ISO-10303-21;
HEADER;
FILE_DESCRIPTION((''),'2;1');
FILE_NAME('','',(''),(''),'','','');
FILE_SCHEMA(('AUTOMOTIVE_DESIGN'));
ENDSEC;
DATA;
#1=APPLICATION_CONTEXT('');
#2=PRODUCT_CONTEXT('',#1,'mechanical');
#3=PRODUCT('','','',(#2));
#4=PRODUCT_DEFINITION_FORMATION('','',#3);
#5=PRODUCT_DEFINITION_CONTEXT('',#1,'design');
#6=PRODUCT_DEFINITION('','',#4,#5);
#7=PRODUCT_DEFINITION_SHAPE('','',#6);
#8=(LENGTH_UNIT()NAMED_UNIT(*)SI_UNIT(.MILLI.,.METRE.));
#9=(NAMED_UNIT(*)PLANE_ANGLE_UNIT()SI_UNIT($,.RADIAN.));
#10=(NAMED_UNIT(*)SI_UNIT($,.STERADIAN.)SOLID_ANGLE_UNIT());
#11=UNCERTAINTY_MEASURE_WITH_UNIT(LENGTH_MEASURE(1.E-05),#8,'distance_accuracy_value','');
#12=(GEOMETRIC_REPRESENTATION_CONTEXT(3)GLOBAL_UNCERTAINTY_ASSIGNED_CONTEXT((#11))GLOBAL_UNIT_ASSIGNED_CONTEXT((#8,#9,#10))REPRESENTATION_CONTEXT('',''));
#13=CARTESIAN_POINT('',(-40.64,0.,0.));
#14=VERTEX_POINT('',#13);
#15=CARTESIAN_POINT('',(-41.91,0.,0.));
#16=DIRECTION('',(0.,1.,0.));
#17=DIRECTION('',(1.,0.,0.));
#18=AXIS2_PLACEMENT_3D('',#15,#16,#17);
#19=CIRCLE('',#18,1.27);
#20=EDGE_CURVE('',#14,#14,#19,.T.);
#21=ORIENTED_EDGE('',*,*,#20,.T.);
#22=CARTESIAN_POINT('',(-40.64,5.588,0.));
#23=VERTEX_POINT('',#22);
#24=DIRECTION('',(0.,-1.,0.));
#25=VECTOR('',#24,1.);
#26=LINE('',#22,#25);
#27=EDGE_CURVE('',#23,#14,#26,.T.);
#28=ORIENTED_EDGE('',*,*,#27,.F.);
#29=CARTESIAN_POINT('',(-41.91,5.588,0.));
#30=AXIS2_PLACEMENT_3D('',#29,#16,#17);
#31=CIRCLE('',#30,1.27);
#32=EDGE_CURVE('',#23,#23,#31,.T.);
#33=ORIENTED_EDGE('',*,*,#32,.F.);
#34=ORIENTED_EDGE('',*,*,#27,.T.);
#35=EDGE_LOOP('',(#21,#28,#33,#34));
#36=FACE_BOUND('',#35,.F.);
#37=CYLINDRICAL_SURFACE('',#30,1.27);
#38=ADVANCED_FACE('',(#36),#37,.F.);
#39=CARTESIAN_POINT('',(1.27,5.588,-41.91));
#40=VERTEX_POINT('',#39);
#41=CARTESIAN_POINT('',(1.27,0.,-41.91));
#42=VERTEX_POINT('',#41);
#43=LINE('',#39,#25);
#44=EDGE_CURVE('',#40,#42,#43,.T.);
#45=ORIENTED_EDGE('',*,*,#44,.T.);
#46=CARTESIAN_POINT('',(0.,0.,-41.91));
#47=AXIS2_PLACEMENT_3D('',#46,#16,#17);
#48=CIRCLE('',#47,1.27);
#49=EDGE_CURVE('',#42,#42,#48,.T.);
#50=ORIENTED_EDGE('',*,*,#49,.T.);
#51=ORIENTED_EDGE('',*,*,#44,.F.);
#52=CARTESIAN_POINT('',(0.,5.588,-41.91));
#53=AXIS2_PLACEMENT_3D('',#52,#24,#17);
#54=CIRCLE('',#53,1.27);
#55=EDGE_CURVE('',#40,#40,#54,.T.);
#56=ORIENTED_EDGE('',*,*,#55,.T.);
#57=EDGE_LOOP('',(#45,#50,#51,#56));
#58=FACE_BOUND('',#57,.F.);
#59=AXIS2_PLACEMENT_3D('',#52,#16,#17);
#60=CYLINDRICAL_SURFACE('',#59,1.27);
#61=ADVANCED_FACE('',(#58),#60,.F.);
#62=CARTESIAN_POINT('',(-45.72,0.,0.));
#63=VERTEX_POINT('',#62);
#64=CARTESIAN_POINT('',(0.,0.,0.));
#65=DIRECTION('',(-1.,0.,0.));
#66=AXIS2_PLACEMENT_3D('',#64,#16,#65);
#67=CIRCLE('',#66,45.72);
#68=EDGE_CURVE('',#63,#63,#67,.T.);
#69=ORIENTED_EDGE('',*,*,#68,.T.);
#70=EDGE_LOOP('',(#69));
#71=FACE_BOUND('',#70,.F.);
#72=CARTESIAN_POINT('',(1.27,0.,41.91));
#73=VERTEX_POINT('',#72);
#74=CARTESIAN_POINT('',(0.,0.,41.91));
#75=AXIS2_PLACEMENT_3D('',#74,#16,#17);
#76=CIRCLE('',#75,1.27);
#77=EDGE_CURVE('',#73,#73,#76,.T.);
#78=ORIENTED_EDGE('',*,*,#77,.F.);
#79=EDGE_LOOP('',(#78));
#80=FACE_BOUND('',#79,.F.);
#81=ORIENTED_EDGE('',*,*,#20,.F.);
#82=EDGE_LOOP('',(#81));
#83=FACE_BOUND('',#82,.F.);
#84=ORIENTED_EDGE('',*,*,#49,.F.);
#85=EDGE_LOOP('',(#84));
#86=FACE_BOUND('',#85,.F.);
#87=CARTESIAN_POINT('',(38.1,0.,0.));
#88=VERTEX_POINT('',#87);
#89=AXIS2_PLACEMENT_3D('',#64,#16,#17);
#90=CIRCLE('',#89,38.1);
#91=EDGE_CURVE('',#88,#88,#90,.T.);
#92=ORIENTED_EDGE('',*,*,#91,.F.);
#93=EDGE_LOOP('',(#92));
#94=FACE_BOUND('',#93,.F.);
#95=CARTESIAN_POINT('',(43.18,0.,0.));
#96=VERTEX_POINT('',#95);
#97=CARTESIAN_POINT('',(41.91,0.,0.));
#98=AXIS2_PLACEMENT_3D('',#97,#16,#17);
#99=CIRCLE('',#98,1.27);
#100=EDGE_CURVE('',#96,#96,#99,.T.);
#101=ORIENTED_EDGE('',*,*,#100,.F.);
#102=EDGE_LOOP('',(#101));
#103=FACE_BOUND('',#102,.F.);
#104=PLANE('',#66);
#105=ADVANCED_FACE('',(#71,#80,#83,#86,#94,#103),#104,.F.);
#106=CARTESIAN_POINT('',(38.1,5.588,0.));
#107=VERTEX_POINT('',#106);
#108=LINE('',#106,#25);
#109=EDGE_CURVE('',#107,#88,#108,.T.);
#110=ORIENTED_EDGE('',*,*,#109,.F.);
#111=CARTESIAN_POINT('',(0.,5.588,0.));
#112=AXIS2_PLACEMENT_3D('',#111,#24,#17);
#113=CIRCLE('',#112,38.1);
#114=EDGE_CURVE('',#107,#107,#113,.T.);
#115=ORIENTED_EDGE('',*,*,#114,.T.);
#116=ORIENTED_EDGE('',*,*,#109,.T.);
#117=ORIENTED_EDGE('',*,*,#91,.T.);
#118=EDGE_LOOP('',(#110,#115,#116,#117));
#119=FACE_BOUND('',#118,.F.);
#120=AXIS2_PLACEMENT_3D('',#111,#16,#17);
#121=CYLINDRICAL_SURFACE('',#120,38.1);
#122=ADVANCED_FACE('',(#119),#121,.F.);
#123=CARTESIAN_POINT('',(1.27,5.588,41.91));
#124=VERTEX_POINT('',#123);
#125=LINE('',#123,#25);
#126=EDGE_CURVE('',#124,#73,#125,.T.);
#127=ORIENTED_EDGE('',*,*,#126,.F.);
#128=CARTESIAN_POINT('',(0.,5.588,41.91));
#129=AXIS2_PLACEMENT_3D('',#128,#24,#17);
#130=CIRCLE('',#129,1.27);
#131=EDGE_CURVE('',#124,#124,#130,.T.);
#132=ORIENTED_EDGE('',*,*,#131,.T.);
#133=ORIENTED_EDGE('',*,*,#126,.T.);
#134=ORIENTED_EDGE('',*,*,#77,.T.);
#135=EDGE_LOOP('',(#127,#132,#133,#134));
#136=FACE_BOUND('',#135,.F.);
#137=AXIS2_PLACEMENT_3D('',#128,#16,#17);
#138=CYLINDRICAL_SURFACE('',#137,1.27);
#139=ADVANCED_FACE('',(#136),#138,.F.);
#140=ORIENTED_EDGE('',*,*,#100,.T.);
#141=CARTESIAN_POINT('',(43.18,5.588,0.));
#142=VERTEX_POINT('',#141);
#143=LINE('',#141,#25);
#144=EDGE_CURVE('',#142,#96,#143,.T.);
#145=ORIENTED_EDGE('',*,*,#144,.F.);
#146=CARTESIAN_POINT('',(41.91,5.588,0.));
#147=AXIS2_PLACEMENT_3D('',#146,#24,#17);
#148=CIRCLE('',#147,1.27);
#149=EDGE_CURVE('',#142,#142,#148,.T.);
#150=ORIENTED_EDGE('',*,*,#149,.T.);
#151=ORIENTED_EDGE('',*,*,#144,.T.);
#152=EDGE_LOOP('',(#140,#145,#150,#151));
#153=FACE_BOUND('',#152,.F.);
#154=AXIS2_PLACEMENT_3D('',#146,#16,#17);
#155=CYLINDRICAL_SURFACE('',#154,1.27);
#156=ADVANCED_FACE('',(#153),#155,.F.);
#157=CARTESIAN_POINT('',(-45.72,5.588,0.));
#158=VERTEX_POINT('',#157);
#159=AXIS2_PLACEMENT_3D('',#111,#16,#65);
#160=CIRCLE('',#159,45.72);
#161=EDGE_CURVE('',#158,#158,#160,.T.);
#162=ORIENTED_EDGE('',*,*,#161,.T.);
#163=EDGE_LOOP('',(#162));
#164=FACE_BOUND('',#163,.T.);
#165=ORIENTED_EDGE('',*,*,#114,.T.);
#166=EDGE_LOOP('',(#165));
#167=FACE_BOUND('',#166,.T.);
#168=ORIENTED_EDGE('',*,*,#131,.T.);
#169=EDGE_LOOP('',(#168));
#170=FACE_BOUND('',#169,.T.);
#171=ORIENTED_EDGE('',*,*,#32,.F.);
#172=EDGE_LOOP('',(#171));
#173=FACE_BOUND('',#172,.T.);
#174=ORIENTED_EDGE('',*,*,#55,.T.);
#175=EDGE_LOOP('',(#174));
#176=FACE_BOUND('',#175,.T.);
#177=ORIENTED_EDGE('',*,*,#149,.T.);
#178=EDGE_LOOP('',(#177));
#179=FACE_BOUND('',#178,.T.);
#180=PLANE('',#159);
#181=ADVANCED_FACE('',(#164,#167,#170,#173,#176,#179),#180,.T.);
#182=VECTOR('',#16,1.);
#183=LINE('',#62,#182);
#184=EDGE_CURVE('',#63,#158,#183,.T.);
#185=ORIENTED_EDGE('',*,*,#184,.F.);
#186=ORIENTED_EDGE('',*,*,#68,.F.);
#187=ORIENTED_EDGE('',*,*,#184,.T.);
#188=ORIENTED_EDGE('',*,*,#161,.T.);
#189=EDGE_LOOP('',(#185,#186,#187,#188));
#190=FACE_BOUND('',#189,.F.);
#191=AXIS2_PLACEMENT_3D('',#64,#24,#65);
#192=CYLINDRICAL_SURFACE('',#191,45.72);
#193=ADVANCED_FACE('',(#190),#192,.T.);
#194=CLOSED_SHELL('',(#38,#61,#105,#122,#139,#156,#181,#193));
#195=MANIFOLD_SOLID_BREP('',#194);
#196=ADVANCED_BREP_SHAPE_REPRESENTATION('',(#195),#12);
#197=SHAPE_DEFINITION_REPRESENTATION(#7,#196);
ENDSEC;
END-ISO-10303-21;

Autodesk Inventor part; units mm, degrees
ref_plane "YZ Plane" through (0, 0, 0) normal (1, 0, 0) x (0, 1, 0)
ref_plane "XZ Plane" through (0, 0, 0) normal (0, 1, 0) x (-1, 0, 0)
ref_plane "XY Plane" through (0, 0, 0) normal (0, 0, 1) x (1, 0, 0)
sketch "Sketch1" plane through (0, 0, 0) normal (0, 1, 0) x (-1, 0, 0)
  circle A0 centre (0, 0) radius 45.72
  dimension "d0" = 91.44
extrude "Extrusion1" add sketch "Sketch1" along normal blind 5.588
sketch "Sketch2" plane through (0, 5.588, 0) normal (0, 1, 0) x (1, 0, 0)
  circle A0 centre (0, 0) radius 38.1
  line L0 (0, 0) -> (-41.91, 0)
  line L1 (0, 0) -> (0, 41.91)
  line L2 (0, 0) -> (41.91, 0)
  line L3 (0, 0) -> (0, -41.91)
  circle A1 centre (-41.91, 0) radius 1.27
  circle A2 centre (0, 41.91) radius 1.27
  circle A3 centre (41.91, 0) radius 1.27
  circle A4 centre (0, -41.91) radius 1.27
  dimension "d3" = 76.2
  dimension "d4" = 41.91
  dimension "d5" = 41.91
  dimension "d6" = 41.91
  dimension "d7" = 41.91
  dimension "d8" = 2.54
  dimension "d9" = 2.54
  dimension "d10" = 2.54
  dimension "d11" = 2.54
extrude "Extrusion2" cut sketch "Sketch2" against normal blind 5.588
properties part number "open3" material "Plastic, Transparent"
